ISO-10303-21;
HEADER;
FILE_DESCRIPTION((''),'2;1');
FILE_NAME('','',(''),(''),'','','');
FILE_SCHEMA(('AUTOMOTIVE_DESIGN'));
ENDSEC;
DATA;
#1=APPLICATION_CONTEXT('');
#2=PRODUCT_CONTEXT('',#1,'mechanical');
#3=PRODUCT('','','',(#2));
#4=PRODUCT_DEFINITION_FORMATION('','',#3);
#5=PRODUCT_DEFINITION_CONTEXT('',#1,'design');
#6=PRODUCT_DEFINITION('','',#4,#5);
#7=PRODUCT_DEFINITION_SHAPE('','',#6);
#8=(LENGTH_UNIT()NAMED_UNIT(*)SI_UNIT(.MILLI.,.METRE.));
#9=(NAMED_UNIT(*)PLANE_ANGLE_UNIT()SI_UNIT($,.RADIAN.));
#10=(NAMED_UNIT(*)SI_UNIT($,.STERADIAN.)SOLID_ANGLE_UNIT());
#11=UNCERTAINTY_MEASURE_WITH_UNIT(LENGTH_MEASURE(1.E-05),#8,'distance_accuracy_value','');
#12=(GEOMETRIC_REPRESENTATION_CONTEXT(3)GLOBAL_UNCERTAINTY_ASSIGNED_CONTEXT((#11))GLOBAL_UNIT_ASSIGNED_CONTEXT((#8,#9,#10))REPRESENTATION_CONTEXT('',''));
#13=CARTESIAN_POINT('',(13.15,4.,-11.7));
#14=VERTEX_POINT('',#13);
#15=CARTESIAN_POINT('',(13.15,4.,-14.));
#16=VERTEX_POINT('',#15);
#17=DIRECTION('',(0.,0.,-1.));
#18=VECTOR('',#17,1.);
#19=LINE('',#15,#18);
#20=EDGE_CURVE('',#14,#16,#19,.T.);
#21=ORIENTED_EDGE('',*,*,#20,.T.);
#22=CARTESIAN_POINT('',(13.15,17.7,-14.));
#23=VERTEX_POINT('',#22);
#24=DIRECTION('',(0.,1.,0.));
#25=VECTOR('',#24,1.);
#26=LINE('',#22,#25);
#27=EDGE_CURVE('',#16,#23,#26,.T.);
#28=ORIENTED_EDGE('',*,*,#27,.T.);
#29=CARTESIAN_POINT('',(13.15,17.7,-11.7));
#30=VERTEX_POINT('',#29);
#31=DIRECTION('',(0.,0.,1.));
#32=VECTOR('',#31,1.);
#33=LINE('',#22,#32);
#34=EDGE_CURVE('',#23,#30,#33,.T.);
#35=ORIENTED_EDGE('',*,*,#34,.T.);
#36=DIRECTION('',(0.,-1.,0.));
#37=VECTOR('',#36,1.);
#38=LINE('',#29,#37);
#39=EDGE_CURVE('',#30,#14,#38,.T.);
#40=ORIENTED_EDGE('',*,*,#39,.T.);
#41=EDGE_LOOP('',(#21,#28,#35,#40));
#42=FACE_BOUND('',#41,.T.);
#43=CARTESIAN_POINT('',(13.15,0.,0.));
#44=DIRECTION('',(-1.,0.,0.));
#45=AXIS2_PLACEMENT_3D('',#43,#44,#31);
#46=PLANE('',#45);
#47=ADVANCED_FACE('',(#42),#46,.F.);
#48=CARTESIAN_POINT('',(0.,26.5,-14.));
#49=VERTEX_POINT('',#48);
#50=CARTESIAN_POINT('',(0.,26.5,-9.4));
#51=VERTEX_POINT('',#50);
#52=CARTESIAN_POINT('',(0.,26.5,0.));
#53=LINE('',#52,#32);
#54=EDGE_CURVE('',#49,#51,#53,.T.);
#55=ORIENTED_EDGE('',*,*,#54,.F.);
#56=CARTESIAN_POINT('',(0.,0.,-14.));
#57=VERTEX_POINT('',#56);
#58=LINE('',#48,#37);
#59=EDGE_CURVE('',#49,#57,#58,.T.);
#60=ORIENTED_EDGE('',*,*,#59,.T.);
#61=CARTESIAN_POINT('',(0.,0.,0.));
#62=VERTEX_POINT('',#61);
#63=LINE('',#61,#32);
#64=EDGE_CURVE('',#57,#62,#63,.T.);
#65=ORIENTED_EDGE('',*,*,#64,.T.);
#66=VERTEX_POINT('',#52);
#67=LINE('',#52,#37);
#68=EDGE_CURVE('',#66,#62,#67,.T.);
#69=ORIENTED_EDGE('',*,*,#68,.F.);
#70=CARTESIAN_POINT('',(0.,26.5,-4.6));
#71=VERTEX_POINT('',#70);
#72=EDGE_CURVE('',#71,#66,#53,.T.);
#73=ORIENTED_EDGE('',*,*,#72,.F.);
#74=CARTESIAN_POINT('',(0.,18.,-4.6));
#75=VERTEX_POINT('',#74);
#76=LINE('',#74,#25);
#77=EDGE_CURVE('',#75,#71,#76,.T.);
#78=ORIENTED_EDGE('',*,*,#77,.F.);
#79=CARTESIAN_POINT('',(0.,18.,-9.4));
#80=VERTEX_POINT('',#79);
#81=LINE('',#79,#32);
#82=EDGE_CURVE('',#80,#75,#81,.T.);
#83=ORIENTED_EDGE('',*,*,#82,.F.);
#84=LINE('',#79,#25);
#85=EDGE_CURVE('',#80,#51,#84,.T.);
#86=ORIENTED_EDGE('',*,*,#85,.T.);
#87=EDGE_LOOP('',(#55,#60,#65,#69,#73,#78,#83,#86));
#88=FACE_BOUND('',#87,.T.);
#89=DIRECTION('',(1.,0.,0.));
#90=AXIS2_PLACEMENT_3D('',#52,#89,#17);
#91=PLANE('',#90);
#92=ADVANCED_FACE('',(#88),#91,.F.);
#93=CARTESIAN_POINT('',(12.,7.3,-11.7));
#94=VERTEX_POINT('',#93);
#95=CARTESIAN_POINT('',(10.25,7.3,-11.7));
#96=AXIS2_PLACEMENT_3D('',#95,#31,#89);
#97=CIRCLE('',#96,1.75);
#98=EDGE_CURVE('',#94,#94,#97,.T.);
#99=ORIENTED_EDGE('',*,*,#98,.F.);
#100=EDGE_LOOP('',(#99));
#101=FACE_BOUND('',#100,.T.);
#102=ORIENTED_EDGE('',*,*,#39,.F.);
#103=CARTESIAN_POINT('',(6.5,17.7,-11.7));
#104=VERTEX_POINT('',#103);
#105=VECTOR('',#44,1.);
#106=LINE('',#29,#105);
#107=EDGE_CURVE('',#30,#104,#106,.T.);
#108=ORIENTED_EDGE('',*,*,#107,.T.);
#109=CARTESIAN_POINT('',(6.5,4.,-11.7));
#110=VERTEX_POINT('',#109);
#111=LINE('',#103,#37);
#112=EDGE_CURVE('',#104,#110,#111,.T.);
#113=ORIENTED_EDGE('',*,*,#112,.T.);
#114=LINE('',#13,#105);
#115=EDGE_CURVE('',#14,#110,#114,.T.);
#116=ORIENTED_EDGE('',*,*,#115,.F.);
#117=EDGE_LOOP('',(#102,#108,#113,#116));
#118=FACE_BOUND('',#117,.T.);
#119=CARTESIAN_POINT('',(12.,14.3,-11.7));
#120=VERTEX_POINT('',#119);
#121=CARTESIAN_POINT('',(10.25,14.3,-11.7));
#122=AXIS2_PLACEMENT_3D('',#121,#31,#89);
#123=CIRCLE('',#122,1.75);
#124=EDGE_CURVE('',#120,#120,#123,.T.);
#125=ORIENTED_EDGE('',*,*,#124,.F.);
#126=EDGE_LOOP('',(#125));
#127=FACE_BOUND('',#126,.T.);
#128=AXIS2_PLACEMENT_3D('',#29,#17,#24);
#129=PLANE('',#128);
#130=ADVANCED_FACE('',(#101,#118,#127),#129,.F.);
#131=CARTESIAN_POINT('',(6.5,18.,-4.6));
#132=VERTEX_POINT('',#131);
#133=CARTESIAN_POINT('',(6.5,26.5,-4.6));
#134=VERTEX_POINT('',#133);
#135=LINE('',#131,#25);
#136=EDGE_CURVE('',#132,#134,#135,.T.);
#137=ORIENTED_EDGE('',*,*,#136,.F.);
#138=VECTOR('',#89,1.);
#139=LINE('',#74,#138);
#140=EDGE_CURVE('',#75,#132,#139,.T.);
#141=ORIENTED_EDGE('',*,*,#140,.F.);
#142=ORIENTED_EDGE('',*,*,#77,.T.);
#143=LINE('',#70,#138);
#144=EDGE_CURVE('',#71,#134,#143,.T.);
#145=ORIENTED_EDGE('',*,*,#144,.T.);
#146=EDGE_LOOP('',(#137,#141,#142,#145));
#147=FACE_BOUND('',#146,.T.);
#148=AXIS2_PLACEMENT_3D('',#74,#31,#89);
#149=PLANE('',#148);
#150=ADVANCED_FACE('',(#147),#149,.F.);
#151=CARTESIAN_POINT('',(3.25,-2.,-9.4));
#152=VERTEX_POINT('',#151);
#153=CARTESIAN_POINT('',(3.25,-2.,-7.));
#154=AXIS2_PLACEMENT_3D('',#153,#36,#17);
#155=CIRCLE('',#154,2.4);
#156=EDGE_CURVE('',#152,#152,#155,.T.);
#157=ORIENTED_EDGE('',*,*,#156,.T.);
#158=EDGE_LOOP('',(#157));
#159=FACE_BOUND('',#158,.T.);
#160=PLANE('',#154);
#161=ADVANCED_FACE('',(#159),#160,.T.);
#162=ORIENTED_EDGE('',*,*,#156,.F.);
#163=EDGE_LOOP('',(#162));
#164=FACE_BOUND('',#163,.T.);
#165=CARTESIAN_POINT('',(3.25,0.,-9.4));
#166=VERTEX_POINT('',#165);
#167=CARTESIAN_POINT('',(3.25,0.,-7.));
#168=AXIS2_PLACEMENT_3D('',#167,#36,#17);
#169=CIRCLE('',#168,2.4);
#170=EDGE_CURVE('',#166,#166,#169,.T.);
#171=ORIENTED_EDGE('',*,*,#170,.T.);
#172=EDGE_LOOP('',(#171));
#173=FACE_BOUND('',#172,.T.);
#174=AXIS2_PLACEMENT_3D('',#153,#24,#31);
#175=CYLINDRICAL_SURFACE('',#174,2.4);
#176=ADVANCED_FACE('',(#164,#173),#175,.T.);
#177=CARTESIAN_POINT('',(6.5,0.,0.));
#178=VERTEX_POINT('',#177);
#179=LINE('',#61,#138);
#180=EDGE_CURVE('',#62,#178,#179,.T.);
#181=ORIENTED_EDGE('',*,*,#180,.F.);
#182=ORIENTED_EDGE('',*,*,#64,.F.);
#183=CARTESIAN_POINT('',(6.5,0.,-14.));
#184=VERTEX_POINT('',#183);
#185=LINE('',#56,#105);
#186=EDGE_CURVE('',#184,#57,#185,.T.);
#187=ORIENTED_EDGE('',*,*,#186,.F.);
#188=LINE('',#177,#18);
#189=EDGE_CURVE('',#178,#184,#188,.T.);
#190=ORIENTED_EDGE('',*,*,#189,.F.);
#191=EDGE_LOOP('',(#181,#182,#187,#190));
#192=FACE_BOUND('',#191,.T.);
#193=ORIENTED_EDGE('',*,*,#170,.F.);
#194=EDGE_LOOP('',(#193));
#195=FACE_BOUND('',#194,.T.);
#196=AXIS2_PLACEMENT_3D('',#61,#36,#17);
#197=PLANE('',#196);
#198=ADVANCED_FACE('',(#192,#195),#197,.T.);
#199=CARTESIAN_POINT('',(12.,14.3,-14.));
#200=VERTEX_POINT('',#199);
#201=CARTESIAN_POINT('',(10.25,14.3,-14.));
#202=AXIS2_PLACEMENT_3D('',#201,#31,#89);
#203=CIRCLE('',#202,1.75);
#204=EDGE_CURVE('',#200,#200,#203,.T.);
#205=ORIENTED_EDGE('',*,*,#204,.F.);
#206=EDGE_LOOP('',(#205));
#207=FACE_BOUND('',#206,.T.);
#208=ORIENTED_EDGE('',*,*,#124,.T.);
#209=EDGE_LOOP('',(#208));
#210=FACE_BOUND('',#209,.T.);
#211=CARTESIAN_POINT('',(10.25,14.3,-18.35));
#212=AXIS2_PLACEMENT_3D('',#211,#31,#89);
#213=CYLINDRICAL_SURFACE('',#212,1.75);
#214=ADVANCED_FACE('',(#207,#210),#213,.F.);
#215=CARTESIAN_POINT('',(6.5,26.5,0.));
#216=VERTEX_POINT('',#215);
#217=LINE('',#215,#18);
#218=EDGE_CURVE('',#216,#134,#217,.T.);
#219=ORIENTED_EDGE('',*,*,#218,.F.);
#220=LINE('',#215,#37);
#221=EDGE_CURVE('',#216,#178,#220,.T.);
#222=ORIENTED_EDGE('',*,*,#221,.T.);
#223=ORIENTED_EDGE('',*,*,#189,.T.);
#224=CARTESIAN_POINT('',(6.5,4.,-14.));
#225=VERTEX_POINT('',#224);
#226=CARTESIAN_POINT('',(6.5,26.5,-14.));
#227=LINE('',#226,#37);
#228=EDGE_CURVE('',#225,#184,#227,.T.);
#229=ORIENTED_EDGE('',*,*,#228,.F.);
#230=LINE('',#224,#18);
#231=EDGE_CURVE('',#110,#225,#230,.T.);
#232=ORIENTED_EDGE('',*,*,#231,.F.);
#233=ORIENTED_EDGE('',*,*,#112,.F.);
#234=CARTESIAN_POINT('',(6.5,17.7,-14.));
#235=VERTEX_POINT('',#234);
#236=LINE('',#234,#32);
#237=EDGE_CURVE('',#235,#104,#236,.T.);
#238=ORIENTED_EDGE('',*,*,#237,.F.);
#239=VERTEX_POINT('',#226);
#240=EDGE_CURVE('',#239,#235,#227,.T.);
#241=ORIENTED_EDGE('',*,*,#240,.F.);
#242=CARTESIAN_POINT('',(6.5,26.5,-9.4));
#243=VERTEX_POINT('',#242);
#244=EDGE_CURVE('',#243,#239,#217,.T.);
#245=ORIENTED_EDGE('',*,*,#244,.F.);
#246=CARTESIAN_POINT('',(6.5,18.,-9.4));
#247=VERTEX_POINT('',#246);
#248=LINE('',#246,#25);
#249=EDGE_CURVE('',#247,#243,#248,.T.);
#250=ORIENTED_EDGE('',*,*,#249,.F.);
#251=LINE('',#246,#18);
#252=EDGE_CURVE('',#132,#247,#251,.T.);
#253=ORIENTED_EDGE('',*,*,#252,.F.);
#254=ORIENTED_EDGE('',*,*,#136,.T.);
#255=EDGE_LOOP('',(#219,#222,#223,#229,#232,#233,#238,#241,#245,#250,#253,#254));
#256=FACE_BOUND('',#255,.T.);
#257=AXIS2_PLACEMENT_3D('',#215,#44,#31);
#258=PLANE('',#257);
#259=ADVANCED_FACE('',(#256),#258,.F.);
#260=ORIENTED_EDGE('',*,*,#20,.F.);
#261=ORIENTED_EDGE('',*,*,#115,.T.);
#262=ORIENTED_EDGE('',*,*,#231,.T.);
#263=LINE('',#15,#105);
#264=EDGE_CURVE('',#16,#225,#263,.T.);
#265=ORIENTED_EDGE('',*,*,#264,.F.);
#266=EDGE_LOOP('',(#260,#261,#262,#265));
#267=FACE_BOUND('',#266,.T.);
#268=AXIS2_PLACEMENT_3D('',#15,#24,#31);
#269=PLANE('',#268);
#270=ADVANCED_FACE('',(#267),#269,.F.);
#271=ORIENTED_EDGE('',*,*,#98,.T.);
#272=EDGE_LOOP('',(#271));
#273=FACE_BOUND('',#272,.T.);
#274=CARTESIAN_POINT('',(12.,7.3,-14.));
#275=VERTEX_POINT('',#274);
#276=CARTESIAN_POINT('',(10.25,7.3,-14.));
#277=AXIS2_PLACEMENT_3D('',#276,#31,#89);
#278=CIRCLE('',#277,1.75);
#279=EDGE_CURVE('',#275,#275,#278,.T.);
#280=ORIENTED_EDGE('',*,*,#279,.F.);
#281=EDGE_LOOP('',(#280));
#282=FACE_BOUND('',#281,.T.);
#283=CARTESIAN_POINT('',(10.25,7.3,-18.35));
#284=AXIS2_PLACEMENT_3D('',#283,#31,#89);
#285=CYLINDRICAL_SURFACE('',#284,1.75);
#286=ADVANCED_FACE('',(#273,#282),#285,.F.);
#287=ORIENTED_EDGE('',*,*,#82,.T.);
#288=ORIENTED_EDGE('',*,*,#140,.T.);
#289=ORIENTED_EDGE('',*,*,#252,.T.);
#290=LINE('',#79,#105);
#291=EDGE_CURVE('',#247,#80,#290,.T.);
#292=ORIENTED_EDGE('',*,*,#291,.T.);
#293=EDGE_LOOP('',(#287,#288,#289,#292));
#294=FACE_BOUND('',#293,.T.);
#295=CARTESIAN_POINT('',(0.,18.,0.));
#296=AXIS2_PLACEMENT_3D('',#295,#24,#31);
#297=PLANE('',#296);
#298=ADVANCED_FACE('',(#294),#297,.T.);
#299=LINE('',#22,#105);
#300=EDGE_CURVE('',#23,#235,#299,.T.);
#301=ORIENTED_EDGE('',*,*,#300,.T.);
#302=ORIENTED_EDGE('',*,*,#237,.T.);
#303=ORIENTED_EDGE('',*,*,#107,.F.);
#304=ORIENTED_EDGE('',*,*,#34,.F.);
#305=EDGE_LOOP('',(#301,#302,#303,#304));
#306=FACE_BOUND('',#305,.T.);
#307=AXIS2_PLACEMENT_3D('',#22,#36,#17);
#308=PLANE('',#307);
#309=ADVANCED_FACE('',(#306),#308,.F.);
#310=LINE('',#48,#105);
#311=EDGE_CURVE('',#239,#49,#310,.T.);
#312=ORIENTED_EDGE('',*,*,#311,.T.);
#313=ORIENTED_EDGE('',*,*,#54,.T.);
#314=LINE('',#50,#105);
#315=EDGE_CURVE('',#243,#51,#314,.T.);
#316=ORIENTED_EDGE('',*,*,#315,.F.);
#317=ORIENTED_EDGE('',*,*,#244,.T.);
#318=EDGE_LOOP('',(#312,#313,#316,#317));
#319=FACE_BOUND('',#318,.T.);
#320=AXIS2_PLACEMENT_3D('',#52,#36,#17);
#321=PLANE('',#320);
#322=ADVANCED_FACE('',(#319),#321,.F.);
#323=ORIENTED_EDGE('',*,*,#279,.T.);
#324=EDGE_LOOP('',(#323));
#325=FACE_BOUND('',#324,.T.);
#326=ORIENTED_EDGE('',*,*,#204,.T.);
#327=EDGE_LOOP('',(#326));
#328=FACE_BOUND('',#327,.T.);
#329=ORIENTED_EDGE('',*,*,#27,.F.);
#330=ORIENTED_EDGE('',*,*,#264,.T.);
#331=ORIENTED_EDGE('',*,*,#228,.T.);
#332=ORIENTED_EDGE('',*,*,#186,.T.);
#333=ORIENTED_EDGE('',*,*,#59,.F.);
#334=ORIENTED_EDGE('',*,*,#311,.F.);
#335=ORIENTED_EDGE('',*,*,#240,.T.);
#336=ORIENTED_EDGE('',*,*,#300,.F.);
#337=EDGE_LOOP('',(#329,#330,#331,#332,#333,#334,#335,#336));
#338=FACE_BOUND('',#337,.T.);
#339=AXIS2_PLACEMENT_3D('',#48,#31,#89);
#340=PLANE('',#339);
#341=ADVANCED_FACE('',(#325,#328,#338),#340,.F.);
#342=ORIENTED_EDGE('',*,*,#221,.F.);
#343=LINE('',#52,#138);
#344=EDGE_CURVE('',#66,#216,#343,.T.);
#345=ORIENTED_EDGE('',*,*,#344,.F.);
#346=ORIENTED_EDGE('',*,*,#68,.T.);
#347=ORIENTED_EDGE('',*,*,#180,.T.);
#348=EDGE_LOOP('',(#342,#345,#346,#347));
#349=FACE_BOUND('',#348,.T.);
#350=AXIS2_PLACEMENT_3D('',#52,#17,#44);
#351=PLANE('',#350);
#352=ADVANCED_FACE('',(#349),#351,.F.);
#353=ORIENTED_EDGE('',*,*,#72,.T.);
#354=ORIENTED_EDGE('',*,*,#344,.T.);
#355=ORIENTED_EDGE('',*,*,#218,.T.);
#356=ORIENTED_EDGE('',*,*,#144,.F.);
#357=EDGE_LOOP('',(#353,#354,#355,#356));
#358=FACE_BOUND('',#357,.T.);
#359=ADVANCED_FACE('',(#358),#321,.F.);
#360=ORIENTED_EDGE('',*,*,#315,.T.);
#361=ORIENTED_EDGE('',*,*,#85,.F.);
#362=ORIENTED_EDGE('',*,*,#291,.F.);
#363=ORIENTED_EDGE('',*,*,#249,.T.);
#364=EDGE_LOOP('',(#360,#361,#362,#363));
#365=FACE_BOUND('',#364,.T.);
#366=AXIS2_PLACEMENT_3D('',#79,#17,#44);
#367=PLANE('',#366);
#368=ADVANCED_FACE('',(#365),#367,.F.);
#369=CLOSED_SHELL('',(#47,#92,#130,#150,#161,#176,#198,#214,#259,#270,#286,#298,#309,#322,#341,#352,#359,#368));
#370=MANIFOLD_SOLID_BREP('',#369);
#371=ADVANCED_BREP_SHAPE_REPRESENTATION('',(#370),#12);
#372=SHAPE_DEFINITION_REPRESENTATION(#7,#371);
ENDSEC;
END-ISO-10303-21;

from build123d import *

# Parameters (mm, degrees)
SKETCH_1_W          = 6.5
SKETCH_1_H          = 14
EXTRUDE_1_DEPTH     = 26.5
SKETCH_2_W          = 6.5
SKETCH_2_H          = 4.8
CUT_EXTRUDE_1_DEPTH = 8.5
SKETCH_3_W          = 2.3
SKETCH_3_H          = 13.7
EXTRUDE_2_DEPTH     = 6.65
SKETCH_4_R          = 1.75
CUT_EXTRUDE_2_DEPTH = 6.65
SKETCH_5_R          = 2.4
EXTRUDE_3_DEPTH     = 2


with BuildPart() as part:
    # 草图1 → 凸台-拉伸1 (new body)
    with BuildSketch(Plane(origin=(0, 0, 0), x_dir=(1, 0, 0), z_dir=(0, 1, 0))):
        with Locations((3.25, 7)):
            Rectangle(SKETCH_1_W, SKETCH_1_H)
    extrude(amount=EXTRUDE_1_DEPTH)

    # 草图2 → 切除-拉伸1 (cut)
    with BuildSketch(Plane(origin=(0, 26.5, 0), x_dir=(1, 0, 0), z_dir=(0, 1, 0))):
        with Locations((3.25, 7)):
            Rectangle(SKETCH_2_W, SKETCH_2_H)
    extrude(amount=-CUT_EXTRUDE_1_DEPTH, mode=Mode.SUBTRACT)

    # 草图3 → 凸台-拉伸2 (add)
    with BuildSketch(Plane(origin=(6.5, 0, 0), x_dir=(0, 0, -1), z_dir=(1, 0, 0))):
        with Locations((12.85, 10.85)):
            Rectangle(SKETCH_3_W, SKETCH_3_H)
    extrude(amount=EXTRUDE_2_DEPTH)

    # 草图4 → 切除-拉伸2 (cut)
    with BuildSketch(Plane.XY.offset(-11.7)):
        with Locations((10.25, 14.3)):
            Circle(SKETCH_4_R)
        with Locations((10.25, 7.3)):
            Circle(SKETCH_4_R)
    extrude(amount=-CUT_EXTRUDE_2_DEPTH, mode=Mode.SUBTRACT)

    # 草图5 → 凸台-拉伸3 (add)
    with BuildSketch(Plane.XZ):
        with Locations(Location((3.25, -7, 0), (0, 0, 270))):
            Circle(SKETCH_5_R)
    extrude(amount=EXTRUDE_3_DEPTH)


solid = part.part
